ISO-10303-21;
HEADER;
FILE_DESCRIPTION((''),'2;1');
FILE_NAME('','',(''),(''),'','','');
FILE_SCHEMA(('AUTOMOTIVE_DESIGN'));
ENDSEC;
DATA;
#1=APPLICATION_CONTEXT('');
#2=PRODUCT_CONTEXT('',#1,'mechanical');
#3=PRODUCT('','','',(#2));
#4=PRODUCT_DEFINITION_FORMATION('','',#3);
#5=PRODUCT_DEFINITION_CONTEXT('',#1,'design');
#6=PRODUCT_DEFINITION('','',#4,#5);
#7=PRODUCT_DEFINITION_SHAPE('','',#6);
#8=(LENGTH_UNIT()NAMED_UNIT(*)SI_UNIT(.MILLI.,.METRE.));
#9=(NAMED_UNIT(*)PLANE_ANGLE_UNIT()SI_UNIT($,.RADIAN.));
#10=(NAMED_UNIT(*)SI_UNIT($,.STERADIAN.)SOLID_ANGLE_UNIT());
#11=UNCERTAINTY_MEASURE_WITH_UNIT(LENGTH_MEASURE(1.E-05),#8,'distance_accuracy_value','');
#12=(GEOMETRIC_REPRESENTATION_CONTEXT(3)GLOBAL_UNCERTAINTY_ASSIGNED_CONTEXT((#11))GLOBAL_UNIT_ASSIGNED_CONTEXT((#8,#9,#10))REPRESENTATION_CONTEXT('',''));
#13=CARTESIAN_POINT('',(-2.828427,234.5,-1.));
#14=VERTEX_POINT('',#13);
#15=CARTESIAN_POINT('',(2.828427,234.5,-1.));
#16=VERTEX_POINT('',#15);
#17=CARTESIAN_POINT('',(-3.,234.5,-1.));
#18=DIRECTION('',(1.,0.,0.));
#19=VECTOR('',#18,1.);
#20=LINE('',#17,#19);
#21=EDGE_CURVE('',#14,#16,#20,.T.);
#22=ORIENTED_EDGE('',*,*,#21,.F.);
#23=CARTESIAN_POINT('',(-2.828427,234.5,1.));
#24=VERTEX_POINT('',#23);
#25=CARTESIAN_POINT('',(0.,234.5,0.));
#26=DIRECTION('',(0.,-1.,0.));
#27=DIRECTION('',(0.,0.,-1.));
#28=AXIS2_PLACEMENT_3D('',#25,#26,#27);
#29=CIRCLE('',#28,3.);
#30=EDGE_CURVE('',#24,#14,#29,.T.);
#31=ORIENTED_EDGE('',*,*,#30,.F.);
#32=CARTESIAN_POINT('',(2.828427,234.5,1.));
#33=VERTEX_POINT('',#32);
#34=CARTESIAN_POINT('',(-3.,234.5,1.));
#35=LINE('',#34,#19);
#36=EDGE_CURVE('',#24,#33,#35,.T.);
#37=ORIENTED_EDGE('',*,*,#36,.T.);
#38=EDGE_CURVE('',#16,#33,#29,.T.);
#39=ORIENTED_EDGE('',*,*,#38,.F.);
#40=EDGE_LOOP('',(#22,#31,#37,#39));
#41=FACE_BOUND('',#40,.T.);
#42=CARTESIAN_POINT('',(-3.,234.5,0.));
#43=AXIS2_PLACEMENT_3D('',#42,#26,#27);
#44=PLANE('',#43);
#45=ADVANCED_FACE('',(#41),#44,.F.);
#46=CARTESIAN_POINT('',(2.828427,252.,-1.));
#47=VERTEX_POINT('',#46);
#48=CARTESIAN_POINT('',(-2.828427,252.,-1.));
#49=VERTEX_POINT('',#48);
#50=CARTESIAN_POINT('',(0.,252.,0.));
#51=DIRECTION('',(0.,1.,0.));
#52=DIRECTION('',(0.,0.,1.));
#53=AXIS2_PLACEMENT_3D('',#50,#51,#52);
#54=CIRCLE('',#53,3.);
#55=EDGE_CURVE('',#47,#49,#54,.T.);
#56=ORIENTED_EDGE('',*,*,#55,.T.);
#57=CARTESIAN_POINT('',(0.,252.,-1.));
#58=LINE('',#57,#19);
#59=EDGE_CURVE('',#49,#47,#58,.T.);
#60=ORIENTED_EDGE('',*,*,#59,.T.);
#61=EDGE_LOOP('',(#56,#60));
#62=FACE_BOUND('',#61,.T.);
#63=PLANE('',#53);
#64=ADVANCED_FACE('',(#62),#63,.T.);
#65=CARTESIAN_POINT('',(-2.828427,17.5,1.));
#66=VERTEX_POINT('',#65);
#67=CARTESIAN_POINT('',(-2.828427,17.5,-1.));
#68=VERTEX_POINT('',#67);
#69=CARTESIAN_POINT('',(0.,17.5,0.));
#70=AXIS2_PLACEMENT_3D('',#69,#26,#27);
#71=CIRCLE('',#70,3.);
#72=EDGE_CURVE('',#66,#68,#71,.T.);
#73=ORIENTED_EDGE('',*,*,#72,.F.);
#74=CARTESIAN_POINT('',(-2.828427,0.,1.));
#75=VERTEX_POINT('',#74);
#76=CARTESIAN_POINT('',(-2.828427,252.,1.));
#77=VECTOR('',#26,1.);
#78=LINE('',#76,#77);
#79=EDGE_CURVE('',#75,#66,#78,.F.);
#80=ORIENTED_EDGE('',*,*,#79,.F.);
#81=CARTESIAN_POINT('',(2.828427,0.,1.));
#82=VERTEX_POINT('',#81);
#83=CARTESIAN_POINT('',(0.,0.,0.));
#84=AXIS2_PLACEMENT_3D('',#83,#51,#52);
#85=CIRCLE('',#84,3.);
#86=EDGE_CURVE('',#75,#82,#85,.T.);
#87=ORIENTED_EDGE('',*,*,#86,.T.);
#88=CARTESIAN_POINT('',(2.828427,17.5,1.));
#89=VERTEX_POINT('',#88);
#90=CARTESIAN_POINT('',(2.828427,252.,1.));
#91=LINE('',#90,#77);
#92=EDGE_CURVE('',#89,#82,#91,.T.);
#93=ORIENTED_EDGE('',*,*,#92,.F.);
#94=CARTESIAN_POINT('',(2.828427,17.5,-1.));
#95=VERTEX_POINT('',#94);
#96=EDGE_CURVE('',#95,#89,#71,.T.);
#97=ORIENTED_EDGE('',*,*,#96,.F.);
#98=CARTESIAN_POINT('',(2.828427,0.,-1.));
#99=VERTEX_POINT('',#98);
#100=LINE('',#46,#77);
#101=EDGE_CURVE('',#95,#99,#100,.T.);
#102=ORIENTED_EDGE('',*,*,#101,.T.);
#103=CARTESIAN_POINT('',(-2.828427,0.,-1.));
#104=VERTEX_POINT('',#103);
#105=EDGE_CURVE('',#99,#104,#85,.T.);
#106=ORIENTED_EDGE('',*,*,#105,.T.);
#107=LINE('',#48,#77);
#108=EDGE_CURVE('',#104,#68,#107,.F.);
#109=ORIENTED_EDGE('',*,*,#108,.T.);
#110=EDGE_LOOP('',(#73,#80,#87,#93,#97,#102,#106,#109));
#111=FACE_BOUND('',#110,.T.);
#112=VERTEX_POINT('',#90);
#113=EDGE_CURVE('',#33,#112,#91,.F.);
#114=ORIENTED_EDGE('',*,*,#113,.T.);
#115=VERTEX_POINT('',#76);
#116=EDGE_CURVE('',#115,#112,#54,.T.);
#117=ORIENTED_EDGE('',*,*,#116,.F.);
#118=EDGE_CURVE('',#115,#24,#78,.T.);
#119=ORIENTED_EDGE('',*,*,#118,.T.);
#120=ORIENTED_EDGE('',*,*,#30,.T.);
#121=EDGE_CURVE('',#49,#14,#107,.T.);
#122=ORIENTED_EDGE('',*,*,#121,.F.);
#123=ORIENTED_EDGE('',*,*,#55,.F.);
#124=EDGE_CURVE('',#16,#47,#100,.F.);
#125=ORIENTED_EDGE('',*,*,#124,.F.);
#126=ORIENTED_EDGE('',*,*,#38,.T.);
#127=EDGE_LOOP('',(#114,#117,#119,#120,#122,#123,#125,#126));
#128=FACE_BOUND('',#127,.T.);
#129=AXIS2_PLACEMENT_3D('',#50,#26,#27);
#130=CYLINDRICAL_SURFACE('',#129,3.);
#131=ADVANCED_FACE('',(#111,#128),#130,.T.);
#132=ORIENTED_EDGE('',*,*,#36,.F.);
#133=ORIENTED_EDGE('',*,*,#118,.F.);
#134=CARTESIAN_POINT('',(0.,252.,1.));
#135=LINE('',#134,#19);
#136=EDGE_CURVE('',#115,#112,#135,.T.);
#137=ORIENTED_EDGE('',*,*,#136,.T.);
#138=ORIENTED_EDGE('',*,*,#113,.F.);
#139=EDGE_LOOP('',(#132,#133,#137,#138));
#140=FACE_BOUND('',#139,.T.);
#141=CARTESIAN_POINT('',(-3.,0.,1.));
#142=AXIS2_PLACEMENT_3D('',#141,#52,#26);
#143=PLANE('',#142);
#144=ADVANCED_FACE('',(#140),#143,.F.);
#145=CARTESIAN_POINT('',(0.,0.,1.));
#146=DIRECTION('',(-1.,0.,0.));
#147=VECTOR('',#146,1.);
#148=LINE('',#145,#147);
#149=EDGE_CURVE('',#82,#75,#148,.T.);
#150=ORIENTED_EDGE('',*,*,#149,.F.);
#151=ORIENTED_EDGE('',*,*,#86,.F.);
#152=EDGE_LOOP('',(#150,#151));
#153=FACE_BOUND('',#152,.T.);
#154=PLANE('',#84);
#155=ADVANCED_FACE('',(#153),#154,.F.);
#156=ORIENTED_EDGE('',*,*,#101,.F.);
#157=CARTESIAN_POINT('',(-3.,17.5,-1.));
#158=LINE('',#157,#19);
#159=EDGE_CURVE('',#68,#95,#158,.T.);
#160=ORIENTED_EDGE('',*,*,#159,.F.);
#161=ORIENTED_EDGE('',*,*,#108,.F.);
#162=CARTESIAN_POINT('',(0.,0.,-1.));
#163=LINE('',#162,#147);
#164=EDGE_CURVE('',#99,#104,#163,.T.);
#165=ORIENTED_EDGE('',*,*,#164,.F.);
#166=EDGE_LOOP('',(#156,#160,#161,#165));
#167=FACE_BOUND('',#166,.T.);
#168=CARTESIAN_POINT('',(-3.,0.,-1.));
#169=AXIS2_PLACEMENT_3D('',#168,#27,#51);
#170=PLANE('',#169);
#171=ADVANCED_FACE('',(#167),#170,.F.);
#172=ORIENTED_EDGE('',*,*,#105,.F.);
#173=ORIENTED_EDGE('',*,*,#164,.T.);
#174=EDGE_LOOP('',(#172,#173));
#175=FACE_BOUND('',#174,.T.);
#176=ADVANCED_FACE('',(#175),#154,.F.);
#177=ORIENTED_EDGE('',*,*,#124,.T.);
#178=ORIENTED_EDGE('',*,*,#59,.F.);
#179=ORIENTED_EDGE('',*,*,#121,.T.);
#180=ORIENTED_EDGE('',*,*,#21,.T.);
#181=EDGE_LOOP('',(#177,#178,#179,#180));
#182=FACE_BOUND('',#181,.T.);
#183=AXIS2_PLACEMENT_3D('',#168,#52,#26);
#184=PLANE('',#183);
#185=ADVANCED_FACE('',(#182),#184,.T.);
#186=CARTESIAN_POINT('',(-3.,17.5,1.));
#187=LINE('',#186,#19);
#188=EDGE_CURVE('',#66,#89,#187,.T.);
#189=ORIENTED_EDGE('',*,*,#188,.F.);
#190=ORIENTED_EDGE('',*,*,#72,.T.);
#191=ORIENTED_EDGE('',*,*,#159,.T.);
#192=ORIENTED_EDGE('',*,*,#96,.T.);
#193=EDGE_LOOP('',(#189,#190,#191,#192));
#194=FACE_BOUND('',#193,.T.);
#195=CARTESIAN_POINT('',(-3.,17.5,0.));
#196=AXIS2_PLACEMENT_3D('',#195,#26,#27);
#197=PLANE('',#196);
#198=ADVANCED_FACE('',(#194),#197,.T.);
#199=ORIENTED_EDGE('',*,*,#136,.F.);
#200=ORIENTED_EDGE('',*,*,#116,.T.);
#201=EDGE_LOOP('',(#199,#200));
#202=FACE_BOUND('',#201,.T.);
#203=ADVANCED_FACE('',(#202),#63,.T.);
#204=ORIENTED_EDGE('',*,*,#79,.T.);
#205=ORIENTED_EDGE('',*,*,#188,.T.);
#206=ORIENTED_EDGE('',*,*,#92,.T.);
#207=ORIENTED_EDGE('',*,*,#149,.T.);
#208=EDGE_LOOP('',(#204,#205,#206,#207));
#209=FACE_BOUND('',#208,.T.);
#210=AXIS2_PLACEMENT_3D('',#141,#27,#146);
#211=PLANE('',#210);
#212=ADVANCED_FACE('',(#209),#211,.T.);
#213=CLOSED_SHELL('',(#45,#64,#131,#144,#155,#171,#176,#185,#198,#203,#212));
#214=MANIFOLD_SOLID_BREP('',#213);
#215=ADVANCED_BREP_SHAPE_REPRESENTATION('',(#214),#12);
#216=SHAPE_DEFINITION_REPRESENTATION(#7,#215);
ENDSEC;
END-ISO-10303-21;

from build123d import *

# Parameters (mm, degrees)
SKETCH1_R               = 3
BOSS_EXTRUDE1_DEPTH     = 252
CUT_EXTRUDE2_DEPTH      = 253.035711755
CUT_EXTRUDE2_DEPTH_BACK = 253.035711755
SKETCH2_W               = 2
SKETCH2_H               = 17.5


with BuildPart() as part:
    # Sketch1 → Boss-Extrude1 (new body)
    with BuildSketch(Plane(origin=(0, 0, 0), x_dir=(1, 0, 0), z_dir=(0, 1, 0))):
        with Locations(Location((0, 0, 0), (0, 0, 270))):
            Circle(SKETCH1_R)
    extrude(amount=BOSS_EXTRUDE1_DEPTH)

    # Sketch2 → Cut-Extrude2 (cut, two sides: drawn at the far end of the back side and taken through both)
    with BuildSketch(Plane(origin=(0, 0, 0), x_dir=(0, 0, -1), z_dir=(1, 0, 0)).offset(-CUT_EXTRUDE2_DEPTH_BACK)):
        with Locations((0, 243.25)):
            Rectangle(SKETCH2_W, SKETCH2_H)
        with Locations((0, 8.75)):
            Rectangle(SKETCH2_W, SKETCH2_H)
    extrude(amount=CUT_EXTRUDE2_DEPTH + CUT_EXTRUDE2_DEPTH_BACK, mode=Mode.SUBTRACT)


solid = part.part
